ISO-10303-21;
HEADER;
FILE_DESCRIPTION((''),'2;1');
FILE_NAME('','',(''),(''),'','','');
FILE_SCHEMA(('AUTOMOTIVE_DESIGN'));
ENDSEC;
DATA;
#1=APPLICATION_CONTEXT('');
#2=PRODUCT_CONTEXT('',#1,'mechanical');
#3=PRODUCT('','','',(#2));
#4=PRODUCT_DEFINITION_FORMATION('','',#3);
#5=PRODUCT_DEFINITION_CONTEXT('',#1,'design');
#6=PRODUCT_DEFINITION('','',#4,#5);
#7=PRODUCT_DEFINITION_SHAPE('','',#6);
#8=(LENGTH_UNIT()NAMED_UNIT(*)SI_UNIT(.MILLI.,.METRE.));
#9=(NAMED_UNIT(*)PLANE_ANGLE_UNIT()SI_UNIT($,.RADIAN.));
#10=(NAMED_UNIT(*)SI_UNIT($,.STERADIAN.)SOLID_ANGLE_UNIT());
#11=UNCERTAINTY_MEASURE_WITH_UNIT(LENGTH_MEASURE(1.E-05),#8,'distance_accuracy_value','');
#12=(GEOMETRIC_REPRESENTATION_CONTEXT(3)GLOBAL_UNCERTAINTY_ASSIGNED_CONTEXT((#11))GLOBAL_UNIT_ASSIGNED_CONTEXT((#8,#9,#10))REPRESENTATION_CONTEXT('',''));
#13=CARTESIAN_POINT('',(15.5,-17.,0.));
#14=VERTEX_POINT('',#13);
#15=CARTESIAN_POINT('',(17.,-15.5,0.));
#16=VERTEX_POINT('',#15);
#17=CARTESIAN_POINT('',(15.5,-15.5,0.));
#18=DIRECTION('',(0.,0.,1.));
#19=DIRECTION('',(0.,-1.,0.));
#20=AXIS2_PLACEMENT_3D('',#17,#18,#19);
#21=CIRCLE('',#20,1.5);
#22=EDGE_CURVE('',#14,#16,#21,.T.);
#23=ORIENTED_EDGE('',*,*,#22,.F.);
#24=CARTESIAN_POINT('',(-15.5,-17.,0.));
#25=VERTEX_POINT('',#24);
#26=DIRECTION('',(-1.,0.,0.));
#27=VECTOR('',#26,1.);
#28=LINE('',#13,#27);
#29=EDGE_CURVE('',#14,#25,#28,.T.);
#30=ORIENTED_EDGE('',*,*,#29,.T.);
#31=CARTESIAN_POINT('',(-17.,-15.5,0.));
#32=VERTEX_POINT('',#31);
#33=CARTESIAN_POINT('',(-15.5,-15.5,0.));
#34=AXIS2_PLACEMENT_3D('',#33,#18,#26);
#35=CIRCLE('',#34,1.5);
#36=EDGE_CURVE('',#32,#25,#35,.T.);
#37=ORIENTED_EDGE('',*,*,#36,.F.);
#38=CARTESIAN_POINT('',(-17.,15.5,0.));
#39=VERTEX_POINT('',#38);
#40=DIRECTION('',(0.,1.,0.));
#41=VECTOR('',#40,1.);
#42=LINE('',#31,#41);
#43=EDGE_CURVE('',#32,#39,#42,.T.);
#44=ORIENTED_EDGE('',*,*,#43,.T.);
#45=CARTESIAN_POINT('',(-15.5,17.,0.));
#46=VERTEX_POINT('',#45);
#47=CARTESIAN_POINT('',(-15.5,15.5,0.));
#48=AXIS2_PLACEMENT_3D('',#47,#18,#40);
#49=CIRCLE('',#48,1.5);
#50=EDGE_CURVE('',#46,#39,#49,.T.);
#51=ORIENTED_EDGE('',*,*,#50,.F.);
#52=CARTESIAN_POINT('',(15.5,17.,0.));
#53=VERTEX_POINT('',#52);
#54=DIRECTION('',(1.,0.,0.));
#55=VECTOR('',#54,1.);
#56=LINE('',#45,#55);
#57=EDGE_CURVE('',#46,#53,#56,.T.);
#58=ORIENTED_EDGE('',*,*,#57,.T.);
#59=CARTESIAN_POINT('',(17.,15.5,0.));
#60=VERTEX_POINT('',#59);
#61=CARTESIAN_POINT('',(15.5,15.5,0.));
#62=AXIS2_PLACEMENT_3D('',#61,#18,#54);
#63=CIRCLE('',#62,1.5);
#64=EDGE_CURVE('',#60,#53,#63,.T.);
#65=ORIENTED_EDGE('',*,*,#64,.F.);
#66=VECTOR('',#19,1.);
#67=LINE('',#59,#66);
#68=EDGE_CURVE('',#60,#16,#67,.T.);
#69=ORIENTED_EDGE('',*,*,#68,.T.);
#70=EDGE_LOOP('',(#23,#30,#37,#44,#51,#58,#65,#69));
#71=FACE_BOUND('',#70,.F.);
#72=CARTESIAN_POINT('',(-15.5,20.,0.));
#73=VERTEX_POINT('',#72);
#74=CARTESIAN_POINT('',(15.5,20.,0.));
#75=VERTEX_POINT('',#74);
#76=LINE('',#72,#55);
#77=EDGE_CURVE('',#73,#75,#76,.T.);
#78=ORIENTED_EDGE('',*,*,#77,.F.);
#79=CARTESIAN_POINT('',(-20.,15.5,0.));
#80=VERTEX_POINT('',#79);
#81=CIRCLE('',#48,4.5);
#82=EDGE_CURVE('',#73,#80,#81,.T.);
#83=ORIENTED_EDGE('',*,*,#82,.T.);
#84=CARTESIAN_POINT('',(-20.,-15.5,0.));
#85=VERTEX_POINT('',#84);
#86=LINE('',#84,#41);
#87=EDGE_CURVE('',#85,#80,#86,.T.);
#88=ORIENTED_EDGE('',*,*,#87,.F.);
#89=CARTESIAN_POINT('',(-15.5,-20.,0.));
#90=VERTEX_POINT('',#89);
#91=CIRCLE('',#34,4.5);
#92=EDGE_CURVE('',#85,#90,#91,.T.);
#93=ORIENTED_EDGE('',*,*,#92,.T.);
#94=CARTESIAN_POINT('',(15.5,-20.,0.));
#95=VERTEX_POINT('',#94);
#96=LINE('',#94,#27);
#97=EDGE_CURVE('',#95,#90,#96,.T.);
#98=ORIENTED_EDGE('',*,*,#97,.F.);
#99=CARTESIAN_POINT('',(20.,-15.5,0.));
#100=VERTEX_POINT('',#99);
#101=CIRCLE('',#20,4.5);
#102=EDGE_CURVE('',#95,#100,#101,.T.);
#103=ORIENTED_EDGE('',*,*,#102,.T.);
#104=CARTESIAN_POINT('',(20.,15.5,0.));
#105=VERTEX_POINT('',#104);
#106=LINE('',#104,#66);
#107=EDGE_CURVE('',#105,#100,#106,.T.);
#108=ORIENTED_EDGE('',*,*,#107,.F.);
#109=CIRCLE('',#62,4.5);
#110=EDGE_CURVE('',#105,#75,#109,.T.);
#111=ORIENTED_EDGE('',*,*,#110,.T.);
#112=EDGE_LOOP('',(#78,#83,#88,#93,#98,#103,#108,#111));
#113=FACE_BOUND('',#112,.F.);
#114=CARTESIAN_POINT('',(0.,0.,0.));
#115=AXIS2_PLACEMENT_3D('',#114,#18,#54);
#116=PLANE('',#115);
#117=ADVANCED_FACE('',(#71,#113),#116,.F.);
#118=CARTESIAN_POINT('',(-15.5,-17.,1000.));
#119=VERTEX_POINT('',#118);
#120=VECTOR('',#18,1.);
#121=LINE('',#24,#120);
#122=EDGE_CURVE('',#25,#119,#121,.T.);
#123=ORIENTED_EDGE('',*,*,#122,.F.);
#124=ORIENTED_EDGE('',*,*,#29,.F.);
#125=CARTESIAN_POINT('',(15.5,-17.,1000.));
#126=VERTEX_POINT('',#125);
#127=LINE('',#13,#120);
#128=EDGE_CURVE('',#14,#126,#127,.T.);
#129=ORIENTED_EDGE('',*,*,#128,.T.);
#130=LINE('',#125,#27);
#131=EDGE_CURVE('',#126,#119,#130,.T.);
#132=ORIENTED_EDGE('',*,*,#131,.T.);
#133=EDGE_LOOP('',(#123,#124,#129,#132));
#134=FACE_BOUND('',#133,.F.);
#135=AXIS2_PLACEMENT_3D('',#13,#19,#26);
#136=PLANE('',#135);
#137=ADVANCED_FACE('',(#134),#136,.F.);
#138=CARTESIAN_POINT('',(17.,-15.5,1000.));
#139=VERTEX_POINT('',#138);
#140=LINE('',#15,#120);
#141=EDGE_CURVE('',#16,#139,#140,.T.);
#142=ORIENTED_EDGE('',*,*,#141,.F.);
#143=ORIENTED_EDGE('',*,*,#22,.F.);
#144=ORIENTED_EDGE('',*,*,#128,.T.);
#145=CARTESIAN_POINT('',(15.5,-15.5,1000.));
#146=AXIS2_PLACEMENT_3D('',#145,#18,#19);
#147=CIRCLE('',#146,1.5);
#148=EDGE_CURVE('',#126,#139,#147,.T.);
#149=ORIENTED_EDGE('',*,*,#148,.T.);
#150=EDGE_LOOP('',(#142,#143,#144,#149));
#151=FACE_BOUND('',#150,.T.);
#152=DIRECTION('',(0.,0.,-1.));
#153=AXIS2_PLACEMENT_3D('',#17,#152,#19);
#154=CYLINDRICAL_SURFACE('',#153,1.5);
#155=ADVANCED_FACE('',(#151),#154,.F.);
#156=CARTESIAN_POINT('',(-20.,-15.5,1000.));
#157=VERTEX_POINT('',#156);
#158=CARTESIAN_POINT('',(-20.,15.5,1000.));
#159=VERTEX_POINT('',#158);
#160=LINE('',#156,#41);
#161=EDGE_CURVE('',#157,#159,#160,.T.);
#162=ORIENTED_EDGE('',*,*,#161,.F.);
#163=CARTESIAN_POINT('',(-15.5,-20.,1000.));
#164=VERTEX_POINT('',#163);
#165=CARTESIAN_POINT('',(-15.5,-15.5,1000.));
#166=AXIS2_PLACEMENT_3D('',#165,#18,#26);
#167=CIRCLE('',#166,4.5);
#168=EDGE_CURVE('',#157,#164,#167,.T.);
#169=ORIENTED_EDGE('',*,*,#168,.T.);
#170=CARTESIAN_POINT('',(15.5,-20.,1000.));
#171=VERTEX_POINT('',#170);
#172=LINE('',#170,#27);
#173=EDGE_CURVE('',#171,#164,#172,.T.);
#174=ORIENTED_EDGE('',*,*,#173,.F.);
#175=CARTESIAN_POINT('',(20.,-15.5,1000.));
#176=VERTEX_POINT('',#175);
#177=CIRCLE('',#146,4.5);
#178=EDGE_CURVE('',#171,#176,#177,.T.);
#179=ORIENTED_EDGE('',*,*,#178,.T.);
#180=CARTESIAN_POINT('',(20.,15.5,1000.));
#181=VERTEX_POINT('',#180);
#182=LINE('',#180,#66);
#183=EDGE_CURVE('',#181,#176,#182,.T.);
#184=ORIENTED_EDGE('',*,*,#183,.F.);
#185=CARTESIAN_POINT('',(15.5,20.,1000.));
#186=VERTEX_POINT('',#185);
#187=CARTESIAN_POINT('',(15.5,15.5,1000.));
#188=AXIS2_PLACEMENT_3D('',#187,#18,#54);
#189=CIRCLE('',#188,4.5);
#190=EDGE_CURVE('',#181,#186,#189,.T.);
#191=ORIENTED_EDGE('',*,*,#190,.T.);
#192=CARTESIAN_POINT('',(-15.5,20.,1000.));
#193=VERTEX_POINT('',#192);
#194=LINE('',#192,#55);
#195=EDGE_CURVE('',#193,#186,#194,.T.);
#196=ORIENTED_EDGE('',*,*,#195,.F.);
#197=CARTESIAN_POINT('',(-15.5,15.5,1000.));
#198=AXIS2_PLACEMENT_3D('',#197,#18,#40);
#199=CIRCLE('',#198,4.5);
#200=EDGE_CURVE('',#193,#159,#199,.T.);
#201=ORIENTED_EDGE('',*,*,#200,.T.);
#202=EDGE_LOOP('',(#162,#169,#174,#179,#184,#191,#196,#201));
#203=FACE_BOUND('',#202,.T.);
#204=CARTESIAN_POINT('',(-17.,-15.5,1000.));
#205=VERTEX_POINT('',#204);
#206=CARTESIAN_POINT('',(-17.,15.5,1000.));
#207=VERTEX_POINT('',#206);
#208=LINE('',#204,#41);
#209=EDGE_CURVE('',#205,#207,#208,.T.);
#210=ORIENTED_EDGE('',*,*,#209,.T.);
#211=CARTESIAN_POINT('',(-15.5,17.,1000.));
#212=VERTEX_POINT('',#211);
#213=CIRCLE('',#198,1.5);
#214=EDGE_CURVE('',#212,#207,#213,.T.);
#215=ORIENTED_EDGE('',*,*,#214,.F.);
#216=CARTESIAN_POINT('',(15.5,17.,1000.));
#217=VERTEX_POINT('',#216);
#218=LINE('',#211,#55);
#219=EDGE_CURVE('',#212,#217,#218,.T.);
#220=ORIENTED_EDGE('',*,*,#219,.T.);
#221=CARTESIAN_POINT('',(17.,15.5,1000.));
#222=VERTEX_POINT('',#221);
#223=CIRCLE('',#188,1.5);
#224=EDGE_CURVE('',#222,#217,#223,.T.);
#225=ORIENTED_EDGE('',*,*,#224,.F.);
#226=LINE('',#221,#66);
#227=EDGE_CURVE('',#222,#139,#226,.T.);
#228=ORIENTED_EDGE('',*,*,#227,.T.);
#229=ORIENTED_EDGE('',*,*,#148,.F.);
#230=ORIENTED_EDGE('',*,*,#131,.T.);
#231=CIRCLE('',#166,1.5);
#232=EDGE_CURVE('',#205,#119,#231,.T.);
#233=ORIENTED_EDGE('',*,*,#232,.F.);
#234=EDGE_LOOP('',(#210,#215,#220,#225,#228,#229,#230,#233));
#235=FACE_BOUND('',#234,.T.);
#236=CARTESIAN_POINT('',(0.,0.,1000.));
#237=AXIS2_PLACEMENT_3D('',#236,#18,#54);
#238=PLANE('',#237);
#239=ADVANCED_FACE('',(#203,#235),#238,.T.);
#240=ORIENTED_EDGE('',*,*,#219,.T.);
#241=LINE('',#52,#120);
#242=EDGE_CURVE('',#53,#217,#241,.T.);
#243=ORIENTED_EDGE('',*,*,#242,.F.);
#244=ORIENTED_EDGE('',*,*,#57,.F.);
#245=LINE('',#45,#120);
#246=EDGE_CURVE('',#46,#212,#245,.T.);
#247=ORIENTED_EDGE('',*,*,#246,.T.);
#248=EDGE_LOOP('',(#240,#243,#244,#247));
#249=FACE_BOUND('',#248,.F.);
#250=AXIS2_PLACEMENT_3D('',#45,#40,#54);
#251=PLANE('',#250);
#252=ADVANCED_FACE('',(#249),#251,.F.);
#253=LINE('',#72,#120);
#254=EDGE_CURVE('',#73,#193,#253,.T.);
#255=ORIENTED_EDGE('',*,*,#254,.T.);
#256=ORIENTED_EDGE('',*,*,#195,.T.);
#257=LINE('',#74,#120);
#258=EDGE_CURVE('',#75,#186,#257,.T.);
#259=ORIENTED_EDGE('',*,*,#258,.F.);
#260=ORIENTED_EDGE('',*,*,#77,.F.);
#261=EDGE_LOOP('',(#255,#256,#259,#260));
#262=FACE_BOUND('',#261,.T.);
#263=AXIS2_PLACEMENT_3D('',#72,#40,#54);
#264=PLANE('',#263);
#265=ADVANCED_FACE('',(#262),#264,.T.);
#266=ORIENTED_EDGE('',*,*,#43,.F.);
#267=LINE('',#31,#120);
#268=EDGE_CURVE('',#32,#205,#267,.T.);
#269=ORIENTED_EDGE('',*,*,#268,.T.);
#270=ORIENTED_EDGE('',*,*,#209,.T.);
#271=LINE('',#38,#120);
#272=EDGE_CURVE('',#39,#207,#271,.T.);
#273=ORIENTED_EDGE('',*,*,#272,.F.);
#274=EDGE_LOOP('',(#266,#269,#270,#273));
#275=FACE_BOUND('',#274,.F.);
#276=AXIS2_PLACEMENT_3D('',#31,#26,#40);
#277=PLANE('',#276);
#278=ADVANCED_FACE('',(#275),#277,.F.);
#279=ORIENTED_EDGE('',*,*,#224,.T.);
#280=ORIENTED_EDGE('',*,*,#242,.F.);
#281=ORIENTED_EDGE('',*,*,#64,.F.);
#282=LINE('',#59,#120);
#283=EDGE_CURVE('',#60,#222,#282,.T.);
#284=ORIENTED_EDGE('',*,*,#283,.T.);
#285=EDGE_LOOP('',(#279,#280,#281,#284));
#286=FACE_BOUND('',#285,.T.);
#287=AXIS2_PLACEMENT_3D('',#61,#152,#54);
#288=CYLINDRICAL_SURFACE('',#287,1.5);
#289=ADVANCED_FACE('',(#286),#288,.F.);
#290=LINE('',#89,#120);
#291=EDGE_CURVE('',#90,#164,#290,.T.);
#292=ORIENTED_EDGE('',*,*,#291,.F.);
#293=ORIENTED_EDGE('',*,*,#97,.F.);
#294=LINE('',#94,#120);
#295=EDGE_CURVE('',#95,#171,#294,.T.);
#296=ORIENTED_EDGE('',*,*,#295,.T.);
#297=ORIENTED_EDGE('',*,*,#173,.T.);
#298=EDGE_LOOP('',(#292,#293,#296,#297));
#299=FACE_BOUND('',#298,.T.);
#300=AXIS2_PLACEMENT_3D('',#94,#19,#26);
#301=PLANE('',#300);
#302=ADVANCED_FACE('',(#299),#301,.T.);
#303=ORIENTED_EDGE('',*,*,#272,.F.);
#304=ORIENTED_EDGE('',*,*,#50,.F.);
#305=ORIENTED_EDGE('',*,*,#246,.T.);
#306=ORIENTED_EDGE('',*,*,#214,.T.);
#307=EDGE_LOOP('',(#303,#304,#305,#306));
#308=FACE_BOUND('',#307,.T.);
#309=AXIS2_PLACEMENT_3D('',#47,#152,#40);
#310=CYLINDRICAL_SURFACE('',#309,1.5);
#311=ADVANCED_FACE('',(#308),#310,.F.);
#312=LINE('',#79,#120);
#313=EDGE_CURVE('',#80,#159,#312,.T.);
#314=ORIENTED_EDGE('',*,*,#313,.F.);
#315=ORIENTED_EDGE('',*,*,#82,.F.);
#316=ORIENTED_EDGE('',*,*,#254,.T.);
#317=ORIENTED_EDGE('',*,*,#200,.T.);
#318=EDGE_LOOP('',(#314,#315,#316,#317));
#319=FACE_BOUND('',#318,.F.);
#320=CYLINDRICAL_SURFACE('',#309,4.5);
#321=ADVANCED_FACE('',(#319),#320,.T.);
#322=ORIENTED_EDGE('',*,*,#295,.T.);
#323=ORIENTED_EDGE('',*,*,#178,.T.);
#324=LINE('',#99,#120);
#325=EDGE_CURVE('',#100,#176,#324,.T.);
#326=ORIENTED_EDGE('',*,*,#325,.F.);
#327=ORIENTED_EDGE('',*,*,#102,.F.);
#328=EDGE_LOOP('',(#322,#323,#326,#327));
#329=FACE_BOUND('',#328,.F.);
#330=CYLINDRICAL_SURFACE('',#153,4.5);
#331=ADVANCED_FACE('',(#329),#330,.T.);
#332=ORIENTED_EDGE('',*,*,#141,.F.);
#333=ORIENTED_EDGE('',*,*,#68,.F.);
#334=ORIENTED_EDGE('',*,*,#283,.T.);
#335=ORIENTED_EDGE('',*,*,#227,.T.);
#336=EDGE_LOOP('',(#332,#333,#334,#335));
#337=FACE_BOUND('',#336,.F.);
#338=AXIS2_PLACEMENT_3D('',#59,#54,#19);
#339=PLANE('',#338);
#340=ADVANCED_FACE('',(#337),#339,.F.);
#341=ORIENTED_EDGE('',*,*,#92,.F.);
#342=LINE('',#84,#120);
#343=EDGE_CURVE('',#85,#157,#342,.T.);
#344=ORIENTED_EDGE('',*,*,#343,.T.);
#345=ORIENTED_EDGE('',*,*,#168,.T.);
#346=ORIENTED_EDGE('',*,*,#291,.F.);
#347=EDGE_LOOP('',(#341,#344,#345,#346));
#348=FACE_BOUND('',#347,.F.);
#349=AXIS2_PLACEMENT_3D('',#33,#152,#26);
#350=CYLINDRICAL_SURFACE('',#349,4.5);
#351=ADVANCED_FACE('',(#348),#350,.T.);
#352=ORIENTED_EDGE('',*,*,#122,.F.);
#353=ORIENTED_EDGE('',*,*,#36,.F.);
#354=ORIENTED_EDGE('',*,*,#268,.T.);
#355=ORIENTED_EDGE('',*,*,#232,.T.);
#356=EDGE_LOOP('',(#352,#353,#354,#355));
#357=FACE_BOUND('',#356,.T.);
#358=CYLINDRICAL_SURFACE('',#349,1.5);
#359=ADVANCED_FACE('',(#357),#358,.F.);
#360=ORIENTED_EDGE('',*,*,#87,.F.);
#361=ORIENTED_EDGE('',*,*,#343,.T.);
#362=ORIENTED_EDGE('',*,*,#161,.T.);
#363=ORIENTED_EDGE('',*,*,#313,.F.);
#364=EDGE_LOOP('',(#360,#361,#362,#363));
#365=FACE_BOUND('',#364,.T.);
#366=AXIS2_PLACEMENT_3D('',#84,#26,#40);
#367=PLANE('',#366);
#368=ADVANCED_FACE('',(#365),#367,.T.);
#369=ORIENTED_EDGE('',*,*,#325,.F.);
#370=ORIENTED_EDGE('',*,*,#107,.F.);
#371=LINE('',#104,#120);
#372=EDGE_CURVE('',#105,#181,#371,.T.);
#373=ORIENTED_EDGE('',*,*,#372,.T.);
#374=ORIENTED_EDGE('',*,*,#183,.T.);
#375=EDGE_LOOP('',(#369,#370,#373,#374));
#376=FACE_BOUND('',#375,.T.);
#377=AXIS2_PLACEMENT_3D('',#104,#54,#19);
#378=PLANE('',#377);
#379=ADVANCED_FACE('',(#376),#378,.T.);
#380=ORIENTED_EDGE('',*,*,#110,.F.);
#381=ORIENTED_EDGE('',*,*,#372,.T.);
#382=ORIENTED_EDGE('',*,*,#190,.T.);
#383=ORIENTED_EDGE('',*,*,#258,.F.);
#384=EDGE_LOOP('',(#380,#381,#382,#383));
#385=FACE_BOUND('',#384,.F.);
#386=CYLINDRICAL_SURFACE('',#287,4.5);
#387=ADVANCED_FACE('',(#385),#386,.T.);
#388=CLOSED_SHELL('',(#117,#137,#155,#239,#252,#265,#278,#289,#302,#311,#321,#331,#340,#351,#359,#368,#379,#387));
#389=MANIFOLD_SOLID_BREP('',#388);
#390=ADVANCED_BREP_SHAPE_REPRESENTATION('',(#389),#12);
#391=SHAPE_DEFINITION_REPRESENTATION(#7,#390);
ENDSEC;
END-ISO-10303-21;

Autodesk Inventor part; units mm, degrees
ref_plane "YZ Plane" through (0, 0, 0) normal (1, 0, 0) x (0, 1, 0)
ref_plane "Start Plane" through (0, 0, 0) normal (0, 0, 1) x (1, 0, 0)
ref_plane "End Plane" through (0, 0, 1000) normal (0, 0, 1) x (1, 0, 0)
sketch "Sketch" plane through (0, 0, 0) normal (0, 0, 1) x (1, 0, 0)
  line L0 (-20, -15.5) -> (-20, 15.5)
  line L1 (-15.5, 20) -> (15.5, 20)
  line L2 (20, 15.5) -> (20, -15.5)
  line L3 (15.5, -20) -> (-15.5, -20)
  arc A0 (-20, -15.5) -> (-15.5, -20) centre (-15.5, -15.5) ccw
  arc A1 (-15.5, 20) -> (-20, 15.5) centre (-15.5, 15.5) ccw
  arc A2 (20, 15.5) -> (15.5, 20) centre (15.5, 15.5) ccw
  arc A3 (15.5, -20) -> (20, -15.5) centre (15.5, -15.5) ccw
  arc A4 (-15.5, 17) -> (-17, 15.5) centre (-15.5, 15.5) ccw
  line L4 (-15.5, 17) -> (15.5, 17)
  arc A5 (17, 15.5) -> (15.5, 17) centre (15.5, 15.5) ccw
  line L5 (17, 15.5) -> (17, -15.5)
  arc A6 (15.5, -17) -> (17, -15.5) centre (15.5, -15.5) ccw
  line L6 (15.5, -17) -> (-15.5, -17)
  arc A7 (-17, -15.5) -> (-15.5, -17) centre (-15.5, -15.5) ccw
  line L7 (-17, -15.5) -> (-17, 15.5)
  line L8 (0, 29.3048) -> (0, -29.3048) construction
  line L9 (-29.3048, 0) -> (29.3048, 0) construction
  dimension "d7" = 4.5
  dimension "d10" = 40
  dimension "d11" = 40
  dimension "d12" = 3
  dimension "d15" = 20
  dimension "d16" = 20
extrude "Body" add sketch "Sketch" along normal up to surface (1000 mm away) from surface at 0
sketch "Sketch3" plane through (0, 0, 0) normal (0, 0, 1) x (1, 0, 0)
  line L0 (0, 0) -> (10, 0)
ref_plane "Work Plane3" through (0, 0, 0) normal (0, -1, 0) x (1, 0, 0)
sketch "Sketch4" plane through (0, 0, 0) normal (0, -1, 0) x (1, 0, 0)
  line L0 (-2, 0) -> (12, 0) projected
  line L1 (-2, 1000) -> (12, 1000) projected
  dimension "d18" = 1000
equation "\"d7\" = G_IR"
equation "\"d10\" = G_H"
equation "\"d11\" = G_W"
equation "\"d12\" = G_T"
equation "\"d15\" = 0.5 * d10"
equation "\"d16\" = 0.5 * d11"
equation "\"d3\" = G_L"
equation "\"G_W\" = 40"
equation "\"G_H\" = 40"
equation "\"G_T\" = 3"
equation "\"G_IR\" = 4.5"
equation "\"G_L\" = d18"
equation "\"G_OFFSET_START\" = 0"
equation "\"G_OFFSET_END\" = 0"
properties part number "ISO 12633-2 - 40x40x3 - 1000" material "Steel, Mild"
